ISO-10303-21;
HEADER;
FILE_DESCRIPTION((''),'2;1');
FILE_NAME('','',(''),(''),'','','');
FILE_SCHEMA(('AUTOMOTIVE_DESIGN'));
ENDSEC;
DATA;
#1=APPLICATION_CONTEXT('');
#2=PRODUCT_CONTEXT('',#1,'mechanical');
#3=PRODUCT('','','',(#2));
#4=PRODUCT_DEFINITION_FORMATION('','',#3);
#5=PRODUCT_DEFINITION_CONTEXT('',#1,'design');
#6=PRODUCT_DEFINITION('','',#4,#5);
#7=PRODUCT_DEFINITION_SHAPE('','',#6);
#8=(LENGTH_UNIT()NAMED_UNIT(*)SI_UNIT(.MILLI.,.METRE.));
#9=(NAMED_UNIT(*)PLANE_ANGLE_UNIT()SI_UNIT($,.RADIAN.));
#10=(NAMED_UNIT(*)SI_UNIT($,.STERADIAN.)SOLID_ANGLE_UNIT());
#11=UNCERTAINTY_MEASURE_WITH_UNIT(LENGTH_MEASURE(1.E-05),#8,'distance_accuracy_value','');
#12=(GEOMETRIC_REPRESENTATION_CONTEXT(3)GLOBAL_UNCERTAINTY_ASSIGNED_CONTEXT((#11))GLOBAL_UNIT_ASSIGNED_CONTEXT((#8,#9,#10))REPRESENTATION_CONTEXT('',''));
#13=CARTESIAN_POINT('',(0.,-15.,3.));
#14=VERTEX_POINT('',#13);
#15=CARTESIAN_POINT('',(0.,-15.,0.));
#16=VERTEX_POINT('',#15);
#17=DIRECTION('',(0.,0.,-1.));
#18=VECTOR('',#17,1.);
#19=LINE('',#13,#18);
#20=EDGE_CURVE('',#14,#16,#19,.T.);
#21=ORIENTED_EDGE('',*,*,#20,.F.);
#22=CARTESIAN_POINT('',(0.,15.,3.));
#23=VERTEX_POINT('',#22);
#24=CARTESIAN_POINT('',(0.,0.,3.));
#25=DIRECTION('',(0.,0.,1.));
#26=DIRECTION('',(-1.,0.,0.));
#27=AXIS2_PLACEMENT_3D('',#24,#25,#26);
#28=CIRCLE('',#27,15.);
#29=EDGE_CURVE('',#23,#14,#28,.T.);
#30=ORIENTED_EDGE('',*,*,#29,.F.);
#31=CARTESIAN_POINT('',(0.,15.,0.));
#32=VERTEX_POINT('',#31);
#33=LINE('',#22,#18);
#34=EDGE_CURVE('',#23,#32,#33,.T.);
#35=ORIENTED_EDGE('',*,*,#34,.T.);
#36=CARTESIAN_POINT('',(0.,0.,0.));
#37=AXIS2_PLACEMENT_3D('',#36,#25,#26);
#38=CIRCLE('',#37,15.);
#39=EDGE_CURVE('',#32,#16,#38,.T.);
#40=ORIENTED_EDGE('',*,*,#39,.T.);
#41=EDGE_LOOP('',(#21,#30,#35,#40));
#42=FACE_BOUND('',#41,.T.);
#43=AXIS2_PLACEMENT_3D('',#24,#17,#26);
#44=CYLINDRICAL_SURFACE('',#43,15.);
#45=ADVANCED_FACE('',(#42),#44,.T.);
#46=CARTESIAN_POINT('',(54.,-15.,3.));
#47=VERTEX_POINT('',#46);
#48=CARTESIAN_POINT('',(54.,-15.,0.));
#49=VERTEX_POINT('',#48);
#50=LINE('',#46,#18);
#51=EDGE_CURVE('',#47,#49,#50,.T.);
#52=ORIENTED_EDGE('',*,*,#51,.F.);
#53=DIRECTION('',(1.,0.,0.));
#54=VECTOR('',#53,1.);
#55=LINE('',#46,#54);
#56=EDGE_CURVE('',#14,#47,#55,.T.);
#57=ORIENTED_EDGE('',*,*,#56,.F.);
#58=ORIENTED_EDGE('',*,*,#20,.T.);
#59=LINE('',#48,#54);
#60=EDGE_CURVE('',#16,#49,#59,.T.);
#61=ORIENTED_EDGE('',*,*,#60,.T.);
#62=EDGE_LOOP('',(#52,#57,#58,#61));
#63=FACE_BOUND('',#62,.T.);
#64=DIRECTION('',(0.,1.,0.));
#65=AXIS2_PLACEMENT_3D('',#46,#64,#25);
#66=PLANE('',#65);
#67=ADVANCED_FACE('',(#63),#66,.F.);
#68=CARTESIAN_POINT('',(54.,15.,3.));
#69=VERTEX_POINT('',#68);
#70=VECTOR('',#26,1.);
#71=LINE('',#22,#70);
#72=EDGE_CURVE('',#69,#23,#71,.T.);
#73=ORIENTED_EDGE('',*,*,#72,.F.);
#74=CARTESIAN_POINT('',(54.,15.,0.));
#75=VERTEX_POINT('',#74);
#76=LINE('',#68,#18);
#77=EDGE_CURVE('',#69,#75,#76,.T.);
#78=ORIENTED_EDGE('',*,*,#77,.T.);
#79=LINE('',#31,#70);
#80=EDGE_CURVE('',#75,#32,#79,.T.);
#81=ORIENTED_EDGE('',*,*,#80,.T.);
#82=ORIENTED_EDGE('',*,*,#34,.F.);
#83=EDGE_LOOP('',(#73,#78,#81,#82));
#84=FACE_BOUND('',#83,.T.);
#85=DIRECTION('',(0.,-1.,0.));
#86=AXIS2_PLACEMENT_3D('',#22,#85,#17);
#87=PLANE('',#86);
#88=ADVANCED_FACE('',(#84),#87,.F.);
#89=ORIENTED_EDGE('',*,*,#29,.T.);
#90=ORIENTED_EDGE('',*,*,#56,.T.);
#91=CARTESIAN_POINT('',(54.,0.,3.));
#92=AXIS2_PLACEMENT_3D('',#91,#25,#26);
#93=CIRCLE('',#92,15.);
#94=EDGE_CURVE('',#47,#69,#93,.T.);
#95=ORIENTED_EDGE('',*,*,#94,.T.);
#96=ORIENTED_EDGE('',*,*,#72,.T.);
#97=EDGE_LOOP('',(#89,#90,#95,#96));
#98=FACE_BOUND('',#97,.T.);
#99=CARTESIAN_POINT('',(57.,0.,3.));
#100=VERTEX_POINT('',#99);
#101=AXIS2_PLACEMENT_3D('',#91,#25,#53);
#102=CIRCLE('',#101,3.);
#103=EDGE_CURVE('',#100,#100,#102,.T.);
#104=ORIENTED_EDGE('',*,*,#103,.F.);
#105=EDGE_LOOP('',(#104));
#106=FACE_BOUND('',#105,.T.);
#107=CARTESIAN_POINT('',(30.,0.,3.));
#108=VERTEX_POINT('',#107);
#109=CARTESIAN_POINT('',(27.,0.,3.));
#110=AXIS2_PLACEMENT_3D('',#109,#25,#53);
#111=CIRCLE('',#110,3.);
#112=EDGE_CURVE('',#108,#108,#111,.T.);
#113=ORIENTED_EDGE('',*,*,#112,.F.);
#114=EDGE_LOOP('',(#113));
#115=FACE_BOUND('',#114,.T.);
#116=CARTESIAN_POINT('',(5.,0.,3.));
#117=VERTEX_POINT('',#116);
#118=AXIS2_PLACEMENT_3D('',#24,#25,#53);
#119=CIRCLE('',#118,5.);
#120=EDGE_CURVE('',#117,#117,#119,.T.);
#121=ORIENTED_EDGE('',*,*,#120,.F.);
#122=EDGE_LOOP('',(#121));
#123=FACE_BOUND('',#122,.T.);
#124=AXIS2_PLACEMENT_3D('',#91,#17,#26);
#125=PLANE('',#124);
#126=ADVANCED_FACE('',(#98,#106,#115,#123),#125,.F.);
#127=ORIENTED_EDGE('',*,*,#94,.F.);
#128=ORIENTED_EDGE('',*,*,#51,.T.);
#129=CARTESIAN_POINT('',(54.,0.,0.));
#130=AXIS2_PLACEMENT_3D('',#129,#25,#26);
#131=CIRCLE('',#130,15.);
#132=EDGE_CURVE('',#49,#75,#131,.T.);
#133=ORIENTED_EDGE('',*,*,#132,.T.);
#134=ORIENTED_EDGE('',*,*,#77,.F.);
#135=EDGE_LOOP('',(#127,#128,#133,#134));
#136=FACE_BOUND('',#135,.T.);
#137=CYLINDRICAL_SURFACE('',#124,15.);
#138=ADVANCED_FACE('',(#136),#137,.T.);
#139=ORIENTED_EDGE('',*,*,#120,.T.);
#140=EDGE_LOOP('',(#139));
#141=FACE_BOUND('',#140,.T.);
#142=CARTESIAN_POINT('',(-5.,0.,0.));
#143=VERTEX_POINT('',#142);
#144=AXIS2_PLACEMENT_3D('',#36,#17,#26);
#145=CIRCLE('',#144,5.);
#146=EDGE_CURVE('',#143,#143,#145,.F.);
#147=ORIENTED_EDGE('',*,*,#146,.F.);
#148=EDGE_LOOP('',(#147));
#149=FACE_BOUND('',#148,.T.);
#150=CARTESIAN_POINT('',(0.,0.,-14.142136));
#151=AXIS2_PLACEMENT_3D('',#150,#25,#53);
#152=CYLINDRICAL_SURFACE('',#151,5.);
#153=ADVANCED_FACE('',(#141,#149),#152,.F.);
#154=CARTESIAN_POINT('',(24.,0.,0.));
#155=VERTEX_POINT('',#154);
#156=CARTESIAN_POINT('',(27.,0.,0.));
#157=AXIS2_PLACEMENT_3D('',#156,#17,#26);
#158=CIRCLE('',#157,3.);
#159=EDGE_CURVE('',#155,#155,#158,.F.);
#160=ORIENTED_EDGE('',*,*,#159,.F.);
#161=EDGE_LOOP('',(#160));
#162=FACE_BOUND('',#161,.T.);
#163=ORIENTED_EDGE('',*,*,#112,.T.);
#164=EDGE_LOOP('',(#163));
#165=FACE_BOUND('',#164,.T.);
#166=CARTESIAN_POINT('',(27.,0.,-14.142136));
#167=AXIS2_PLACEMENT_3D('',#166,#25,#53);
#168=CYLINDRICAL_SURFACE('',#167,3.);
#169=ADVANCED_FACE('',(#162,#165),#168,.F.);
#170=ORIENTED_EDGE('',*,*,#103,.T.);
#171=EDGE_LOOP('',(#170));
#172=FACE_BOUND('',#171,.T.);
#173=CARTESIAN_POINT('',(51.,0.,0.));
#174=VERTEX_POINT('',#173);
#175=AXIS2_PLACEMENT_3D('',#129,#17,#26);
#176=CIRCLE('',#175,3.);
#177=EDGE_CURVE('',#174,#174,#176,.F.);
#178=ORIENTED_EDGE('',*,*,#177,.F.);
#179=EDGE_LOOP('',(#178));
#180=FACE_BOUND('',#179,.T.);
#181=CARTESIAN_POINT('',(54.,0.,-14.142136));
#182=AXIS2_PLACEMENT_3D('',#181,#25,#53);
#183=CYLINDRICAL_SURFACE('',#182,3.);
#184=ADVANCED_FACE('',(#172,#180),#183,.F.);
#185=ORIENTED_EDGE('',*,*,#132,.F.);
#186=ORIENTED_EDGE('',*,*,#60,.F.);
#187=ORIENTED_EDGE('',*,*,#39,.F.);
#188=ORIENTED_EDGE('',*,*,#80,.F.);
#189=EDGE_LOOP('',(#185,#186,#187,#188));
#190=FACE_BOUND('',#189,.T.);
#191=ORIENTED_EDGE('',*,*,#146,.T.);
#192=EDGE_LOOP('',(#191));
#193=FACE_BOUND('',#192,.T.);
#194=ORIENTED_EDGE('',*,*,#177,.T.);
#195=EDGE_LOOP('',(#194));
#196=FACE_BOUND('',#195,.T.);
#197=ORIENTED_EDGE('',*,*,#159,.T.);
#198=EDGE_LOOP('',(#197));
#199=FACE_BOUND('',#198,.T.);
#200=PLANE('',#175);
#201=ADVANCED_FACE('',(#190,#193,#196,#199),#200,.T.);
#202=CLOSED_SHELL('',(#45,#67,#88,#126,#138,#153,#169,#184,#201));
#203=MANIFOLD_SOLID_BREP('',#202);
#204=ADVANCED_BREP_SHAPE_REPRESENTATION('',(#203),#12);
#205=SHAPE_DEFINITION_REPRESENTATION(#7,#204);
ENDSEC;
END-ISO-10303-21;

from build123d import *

# Parameters (mm, degrees)
BOSS_EXTRUDE1_DEPTH = 3
SKETCH2_R           = 5
SKETCH2_R_2         = 3
CUT_EXTRUDE1_DEPTH  = 3


with BuildPart() as part:
    # Sketch1 → Boss-Extrude1 (new body)
    with BuildSketch(Plane.XY):
        with BuildLine():
            Line((0, 15), (54, 15))
            ThreePointArc((54, 15), (69, 0), (54, -15))
            Line((54, -15), (0, -15))
            ThreePointArc((0, -15), (-15, 0), (0, 15))
        make_face()
    extrude(amount=BOSS_EXTRUDE1_DEPTH)

    # Sketch2 → Cut-Extrude1 (cut)
    with BuildSketch(Plane.XY.offset(3)):
        Circle(SKETCH2_R)
        with Locations((27, 0)):
            Circle(SKETCH2_R_2)
        with Locations((54, 0)):
            Circle(SKETCH2_R_2)
    extrude(amount=-CUT_EXTRUDE1_DEPTH, mode=Mode.SUBTRACT)


solid = part.part
